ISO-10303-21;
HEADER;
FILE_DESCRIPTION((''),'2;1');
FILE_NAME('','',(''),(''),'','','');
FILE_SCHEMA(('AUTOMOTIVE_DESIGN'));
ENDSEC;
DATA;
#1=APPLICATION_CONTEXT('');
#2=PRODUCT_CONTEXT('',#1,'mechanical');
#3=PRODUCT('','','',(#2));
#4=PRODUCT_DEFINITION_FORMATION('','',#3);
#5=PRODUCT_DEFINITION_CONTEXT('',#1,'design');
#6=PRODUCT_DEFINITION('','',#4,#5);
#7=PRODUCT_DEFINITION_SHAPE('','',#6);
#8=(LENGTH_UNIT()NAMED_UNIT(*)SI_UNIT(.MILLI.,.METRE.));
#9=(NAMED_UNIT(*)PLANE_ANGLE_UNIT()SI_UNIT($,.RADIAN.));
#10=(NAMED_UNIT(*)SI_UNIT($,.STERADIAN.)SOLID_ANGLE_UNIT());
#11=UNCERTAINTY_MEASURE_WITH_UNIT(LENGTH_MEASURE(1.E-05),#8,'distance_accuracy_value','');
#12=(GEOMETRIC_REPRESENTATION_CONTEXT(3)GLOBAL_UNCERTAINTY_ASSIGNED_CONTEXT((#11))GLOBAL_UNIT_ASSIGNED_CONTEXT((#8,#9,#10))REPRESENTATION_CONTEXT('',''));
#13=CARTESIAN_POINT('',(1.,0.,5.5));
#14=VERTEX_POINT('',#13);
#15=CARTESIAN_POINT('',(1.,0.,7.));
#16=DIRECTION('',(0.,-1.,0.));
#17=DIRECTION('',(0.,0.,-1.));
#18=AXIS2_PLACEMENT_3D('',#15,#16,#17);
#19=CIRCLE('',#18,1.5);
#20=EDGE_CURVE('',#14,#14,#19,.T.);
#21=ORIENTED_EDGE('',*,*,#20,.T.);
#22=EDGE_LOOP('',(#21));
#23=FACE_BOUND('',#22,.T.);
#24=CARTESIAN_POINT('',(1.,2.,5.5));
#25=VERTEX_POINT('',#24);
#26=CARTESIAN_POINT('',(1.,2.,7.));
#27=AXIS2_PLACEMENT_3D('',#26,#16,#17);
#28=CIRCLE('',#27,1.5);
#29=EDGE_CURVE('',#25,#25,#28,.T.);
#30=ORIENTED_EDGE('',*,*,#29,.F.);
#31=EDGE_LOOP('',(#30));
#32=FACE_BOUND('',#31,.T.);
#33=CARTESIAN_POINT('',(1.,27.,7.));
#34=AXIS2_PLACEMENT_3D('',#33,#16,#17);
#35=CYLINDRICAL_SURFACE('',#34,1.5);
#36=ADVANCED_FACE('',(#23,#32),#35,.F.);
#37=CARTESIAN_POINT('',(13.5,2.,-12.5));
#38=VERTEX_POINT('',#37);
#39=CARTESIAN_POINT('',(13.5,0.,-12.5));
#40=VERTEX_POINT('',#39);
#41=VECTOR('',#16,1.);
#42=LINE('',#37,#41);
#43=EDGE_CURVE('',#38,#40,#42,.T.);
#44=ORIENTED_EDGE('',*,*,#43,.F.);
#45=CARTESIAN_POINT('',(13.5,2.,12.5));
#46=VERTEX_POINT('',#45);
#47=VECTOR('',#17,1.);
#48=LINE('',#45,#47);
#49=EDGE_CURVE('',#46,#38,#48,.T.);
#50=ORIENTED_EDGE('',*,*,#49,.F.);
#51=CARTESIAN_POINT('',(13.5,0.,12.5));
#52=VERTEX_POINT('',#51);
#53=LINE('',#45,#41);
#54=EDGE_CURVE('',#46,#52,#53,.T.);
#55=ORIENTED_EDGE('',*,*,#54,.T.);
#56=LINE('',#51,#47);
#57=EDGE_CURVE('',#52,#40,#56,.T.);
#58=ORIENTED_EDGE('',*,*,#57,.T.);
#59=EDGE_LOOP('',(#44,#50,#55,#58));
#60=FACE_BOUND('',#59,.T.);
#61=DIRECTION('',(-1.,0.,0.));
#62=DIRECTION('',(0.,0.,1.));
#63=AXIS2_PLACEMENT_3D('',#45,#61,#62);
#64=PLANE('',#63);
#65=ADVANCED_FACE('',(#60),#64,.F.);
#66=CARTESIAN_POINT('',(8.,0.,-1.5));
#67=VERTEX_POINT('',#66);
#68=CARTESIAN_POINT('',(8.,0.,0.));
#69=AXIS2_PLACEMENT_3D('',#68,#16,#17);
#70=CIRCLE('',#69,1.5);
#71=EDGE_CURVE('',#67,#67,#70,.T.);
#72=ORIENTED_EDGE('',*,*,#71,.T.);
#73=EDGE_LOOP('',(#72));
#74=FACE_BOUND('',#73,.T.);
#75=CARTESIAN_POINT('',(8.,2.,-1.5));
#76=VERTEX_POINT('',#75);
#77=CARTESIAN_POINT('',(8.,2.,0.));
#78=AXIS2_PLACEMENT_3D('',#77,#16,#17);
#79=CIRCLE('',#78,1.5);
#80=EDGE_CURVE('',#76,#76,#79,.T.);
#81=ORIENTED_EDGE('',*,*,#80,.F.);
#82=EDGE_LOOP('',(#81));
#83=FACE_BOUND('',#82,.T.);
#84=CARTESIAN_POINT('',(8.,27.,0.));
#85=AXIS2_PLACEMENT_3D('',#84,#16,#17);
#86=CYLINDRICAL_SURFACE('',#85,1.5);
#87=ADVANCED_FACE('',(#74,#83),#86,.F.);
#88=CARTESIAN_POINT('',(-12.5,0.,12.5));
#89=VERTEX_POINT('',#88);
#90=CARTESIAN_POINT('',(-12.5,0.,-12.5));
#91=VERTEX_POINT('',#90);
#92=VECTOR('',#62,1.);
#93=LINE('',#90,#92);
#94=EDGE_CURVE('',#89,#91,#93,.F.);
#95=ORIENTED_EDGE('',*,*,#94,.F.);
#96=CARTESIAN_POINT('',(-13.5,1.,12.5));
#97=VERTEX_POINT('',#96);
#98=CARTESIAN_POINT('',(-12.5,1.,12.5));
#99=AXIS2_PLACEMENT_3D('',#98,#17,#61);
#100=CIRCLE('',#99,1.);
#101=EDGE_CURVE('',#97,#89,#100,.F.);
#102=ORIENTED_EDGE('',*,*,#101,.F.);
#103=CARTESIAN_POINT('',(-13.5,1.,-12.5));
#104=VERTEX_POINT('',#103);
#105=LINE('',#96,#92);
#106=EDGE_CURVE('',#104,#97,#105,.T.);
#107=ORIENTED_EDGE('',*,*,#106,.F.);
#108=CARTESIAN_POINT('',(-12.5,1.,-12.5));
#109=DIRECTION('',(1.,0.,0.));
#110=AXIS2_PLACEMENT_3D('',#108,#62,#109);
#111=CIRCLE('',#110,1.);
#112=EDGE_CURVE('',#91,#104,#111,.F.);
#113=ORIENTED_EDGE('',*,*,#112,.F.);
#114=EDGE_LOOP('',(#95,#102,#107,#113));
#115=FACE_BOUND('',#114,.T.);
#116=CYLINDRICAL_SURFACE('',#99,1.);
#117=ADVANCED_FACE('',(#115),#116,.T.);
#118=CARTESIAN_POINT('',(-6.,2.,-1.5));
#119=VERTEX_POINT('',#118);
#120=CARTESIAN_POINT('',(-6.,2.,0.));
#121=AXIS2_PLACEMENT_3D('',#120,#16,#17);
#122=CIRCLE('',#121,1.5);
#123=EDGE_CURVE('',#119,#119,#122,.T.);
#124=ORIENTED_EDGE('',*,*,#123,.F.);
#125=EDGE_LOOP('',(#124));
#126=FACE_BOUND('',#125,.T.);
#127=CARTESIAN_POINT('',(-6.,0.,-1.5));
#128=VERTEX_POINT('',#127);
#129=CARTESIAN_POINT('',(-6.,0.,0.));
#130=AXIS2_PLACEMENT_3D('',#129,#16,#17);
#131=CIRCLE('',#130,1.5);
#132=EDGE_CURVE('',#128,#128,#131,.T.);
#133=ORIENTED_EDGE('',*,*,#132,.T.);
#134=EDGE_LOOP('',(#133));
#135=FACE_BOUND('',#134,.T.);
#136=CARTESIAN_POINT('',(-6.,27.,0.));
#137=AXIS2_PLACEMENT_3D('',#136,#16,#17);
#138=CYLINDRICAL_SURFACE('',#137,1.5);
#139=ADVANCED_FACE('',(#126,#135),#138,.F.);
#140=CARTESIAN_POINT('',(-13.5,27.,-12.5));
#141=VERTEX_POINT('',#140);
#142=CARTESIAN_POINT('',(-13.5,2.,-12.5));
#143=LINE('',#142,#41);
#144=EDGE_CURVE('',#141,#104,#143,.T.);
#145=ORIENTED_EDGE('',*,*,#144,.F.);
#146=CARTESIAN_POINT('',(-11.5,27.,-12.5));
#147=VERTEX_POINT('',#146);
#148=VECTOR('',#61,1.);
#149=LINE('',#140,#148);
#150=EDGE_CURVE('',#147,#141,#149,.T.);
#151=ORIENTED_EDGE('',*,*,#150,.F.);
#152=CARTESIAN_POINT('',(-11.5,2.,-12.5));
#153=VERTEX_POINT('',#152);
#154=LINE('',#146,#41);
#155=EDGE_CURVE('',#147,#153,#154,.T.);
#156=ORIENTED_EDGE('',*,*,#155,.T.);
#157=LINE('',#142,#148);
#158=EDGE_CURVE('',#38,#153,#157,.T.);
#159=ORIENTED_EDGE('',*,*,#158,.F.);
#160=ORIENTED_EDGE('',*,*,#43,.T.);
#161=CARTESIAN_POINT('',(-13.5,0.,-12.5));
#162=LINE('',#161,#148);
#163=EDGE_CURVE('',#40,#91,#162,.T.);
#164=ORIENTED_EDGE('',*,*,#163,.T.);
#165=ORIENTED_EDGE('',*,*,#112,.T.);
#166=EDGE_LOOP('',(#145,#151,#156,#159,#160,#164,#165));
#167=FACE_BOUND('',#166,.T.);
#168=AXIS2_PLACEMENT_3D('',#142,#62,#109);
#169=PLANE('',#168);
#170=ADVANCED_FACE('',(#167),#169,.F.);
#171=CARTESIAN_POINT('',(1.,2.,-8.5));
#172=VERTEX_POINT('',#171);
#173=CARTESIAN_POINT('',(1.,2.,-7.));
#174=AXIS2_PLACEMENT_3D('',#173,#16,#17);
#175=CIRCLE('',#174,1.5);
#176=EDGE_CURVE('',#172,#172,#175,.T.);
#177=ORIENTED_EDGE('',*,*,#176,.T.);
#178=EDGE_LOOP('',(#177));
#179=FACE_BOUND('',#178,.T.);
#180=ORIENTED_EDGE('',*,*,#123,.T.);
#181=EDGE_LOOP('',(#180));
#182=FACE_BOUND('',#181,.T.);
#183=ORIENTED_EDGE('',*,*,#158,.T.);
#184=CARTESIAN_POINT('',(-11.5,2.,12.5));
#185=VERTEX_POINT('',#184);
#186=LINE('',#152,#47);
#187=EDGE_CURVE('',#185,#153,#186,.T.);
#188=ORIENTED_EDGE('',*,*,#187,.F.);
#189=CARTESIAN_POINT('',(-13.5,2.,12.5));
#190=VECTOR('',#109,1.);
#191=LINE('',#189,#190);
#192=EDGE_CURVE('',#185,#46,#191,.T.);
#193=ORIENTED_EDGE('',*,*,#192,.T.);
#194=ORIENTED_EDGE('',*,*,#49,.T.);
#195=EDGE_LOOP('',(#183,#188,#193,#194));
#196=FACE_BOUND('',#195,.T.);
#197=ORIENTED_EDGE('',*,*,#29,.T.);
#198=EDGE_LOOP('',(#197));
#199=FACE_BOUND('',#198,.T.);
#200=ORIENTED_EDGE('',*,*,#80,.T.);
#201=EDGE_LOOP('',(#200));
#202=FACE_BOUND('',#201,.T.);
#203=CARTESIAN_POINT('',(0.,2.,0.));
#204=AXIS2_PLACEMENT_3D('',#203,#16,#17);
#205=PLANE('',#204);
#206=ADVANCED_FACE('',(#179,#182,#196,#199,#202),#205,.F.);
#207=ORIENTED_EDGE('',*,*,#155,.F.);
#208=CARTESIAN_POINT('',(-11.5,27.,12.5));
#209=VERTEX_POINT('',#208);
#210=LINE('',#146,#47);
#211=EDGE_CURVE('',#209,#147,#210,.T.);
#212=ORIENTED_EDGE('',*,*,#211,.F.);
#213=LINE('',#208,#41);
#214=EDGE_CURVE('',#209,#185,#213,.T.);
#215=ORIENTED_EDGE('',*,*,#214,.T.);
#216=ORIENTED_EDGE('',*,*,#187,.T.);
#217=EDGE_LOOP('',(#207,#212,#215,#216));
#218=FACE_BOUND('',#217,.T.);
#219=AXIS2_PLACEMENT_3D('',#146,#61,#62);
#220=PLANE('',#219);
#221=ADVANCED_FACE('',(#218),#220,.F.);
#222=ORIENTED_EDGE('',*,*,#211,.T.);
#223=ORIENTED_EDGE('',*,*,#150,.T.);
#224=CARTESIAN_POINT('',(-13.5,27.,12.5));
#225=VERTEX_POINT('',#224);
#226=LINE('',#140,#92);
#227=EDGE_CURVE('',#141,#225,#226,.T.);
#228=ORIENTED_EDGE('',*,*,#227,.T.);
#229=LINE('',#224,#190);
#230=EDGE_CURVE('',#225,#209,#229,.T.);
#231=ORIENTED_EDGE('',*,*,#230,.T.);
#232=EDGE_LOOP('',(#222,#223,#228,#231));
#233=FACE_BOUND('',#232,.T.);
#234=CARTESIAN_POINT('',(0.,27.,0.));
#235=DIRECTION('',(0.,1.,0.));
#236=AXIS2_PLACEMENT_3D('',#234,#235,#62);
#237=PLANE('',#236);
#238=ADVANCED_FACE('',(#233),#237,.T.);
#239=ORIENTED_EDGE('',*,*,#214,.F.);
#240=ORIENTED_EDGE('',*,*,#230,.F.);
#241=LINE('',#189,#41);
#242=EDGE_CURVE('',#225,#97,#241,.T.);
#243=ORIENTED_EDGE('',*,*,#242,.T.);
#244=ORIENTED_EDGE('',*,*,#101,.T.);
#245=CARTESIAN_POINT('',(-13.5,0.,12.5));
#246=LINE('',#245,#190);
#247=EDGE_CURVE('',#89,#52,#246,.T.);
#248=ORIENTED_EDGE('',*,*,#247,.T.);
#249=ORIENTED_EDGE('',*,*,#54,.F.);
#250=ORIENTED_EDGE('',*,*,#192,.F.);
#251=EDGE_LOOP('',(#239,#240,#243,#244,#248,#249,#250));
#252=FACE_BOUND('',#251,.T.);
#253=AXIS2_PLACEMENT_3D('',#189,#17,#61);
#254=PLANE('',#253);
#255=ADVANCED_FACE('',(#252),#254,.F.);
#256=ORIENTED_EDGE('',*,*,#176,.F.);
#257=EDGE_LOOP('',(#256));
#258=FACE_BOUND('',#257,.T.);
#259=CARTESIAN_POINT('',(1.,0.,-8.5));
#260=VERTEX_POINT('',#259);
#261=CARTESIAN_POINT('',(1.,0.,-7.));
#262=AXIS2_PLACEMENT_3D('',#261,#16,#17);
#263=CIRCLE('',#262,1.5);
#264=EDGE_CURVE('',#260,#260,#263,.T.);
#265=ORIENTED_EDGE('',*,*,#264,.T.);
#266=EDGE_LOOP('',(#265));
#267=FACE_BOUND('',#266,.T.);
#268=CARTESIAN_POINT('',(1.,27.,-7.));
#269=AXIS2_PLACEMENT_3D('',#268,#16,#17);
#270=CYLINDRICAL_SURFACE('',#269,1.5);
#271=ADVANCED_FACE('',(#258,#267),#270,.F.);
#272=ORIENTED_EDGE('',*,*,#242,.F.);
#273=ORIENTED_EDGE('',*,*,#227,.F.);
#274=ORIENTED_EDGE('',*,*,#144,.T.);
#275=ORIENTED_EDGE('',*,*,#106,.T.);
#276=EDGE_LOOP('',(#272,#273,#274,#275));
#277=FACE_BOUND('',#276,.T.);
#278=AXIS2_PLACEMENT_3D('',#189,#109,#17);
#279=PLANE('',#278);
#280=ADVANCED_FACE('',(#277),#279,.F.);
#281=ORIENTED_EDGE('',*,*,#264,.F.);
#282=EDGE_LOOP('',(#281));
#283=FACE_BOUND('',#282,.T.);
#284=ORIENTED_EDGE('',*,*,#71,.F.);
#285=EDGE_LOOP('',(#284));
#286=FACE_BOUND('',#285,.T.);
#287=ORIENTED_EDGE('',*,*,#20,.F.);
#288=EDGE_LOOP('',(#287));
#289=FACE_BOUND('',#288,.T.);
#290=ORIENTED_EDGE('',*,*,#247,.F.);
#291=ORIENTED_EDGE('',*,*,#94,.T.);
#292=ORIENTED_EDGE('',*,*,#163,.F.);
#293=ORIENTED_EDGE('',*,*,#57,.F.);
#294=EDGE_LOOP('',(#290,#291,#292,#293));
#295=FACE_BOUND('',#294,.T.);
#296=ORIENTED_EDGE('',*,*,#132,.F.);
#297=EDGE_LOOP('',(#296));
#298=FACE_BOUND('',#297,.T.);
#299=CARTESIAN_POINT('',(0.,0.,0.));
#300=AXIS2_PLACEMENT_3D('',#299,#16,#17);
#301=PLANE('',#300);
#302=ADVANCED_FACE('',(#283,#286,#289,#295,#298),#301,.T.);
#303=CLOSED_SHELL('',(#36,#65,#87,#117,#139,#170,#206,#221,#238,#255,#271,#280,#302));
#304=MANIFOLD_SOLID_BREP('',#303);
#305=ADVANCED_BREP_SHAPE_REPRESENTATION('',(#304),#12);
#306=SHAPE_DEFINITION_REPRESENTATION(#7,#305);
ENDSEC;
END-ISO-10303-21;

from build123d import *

# Parameters (mm, degrees)
SKETCH_1_W          = 27
SKETCH_1_H          = 25
EXTRUDE_1_DEPTH     = 2
SKETCH_2_W          = 2
SKETCH_2_H          = 25
EXTRUDE_2_DEPTH     = 25
SKETCH_3_R          = 1.5
CUT_EXTRUDE_1_DEPTH = 33.672618505
FILLET_1_R          = 1


with BuildPart() as part:
    # 草图1 → 凸台-拉伸1 (new body)
    with BuildSketch(Plane(origin=(0, 0, 0), x_dir=(1, 0, 0), z_dir=(0, 1, 0))):
        Rectangle(SKETCH_1_W, SKETCH_1_H)
    extrude(amount=EXTRUDE_1_DEPTH)

    # 草图2 → 凸台-拉伸2 (add)
    with BuildSketch(Plane(origin=(0, 2, 0), x_dir=(1, 0, 0), z_dir=(0, 1, 0))):
        with Locations((-12.5, 0)):
            Rectangle(SKETCH_2_W, SKETCH_2_H)
    extrude(amount=EXTRUDE_2_DEPTH)

    # 草图3 → 切除-拉伸1 (cut, through all)
    with BuildSketch(Plane.XZ):
        with Locations(Location((1, 7, 0), (0, 0, 270))):
            Circle(SKETCH_3_R)
        with Locations(Location((8, 0, 0), (0, 0, 270))):
            Circle(SKETCH_3_R)
        with Locations(Location((1, -7, 0), (0, 0, 270))):
            Circle(SKETCH_3_R)
        with Locations(Location((-6, 0, 0), (0, 0, 270))):
            Circle(SKETCH_3_R)
    extrude(amount=-CUT_EXTRUDE_1_DEPTH, mode=Mode.SUBTRACT)

    # 圆角1
    fillet_1_edges = [part.edges().sort_by_distance(p)[0] for p in [
        (-13.5, 0, 0),
    ]]
    fillet(fillet_1_edges, radius=FILLET_1_R)


solid = part.part
